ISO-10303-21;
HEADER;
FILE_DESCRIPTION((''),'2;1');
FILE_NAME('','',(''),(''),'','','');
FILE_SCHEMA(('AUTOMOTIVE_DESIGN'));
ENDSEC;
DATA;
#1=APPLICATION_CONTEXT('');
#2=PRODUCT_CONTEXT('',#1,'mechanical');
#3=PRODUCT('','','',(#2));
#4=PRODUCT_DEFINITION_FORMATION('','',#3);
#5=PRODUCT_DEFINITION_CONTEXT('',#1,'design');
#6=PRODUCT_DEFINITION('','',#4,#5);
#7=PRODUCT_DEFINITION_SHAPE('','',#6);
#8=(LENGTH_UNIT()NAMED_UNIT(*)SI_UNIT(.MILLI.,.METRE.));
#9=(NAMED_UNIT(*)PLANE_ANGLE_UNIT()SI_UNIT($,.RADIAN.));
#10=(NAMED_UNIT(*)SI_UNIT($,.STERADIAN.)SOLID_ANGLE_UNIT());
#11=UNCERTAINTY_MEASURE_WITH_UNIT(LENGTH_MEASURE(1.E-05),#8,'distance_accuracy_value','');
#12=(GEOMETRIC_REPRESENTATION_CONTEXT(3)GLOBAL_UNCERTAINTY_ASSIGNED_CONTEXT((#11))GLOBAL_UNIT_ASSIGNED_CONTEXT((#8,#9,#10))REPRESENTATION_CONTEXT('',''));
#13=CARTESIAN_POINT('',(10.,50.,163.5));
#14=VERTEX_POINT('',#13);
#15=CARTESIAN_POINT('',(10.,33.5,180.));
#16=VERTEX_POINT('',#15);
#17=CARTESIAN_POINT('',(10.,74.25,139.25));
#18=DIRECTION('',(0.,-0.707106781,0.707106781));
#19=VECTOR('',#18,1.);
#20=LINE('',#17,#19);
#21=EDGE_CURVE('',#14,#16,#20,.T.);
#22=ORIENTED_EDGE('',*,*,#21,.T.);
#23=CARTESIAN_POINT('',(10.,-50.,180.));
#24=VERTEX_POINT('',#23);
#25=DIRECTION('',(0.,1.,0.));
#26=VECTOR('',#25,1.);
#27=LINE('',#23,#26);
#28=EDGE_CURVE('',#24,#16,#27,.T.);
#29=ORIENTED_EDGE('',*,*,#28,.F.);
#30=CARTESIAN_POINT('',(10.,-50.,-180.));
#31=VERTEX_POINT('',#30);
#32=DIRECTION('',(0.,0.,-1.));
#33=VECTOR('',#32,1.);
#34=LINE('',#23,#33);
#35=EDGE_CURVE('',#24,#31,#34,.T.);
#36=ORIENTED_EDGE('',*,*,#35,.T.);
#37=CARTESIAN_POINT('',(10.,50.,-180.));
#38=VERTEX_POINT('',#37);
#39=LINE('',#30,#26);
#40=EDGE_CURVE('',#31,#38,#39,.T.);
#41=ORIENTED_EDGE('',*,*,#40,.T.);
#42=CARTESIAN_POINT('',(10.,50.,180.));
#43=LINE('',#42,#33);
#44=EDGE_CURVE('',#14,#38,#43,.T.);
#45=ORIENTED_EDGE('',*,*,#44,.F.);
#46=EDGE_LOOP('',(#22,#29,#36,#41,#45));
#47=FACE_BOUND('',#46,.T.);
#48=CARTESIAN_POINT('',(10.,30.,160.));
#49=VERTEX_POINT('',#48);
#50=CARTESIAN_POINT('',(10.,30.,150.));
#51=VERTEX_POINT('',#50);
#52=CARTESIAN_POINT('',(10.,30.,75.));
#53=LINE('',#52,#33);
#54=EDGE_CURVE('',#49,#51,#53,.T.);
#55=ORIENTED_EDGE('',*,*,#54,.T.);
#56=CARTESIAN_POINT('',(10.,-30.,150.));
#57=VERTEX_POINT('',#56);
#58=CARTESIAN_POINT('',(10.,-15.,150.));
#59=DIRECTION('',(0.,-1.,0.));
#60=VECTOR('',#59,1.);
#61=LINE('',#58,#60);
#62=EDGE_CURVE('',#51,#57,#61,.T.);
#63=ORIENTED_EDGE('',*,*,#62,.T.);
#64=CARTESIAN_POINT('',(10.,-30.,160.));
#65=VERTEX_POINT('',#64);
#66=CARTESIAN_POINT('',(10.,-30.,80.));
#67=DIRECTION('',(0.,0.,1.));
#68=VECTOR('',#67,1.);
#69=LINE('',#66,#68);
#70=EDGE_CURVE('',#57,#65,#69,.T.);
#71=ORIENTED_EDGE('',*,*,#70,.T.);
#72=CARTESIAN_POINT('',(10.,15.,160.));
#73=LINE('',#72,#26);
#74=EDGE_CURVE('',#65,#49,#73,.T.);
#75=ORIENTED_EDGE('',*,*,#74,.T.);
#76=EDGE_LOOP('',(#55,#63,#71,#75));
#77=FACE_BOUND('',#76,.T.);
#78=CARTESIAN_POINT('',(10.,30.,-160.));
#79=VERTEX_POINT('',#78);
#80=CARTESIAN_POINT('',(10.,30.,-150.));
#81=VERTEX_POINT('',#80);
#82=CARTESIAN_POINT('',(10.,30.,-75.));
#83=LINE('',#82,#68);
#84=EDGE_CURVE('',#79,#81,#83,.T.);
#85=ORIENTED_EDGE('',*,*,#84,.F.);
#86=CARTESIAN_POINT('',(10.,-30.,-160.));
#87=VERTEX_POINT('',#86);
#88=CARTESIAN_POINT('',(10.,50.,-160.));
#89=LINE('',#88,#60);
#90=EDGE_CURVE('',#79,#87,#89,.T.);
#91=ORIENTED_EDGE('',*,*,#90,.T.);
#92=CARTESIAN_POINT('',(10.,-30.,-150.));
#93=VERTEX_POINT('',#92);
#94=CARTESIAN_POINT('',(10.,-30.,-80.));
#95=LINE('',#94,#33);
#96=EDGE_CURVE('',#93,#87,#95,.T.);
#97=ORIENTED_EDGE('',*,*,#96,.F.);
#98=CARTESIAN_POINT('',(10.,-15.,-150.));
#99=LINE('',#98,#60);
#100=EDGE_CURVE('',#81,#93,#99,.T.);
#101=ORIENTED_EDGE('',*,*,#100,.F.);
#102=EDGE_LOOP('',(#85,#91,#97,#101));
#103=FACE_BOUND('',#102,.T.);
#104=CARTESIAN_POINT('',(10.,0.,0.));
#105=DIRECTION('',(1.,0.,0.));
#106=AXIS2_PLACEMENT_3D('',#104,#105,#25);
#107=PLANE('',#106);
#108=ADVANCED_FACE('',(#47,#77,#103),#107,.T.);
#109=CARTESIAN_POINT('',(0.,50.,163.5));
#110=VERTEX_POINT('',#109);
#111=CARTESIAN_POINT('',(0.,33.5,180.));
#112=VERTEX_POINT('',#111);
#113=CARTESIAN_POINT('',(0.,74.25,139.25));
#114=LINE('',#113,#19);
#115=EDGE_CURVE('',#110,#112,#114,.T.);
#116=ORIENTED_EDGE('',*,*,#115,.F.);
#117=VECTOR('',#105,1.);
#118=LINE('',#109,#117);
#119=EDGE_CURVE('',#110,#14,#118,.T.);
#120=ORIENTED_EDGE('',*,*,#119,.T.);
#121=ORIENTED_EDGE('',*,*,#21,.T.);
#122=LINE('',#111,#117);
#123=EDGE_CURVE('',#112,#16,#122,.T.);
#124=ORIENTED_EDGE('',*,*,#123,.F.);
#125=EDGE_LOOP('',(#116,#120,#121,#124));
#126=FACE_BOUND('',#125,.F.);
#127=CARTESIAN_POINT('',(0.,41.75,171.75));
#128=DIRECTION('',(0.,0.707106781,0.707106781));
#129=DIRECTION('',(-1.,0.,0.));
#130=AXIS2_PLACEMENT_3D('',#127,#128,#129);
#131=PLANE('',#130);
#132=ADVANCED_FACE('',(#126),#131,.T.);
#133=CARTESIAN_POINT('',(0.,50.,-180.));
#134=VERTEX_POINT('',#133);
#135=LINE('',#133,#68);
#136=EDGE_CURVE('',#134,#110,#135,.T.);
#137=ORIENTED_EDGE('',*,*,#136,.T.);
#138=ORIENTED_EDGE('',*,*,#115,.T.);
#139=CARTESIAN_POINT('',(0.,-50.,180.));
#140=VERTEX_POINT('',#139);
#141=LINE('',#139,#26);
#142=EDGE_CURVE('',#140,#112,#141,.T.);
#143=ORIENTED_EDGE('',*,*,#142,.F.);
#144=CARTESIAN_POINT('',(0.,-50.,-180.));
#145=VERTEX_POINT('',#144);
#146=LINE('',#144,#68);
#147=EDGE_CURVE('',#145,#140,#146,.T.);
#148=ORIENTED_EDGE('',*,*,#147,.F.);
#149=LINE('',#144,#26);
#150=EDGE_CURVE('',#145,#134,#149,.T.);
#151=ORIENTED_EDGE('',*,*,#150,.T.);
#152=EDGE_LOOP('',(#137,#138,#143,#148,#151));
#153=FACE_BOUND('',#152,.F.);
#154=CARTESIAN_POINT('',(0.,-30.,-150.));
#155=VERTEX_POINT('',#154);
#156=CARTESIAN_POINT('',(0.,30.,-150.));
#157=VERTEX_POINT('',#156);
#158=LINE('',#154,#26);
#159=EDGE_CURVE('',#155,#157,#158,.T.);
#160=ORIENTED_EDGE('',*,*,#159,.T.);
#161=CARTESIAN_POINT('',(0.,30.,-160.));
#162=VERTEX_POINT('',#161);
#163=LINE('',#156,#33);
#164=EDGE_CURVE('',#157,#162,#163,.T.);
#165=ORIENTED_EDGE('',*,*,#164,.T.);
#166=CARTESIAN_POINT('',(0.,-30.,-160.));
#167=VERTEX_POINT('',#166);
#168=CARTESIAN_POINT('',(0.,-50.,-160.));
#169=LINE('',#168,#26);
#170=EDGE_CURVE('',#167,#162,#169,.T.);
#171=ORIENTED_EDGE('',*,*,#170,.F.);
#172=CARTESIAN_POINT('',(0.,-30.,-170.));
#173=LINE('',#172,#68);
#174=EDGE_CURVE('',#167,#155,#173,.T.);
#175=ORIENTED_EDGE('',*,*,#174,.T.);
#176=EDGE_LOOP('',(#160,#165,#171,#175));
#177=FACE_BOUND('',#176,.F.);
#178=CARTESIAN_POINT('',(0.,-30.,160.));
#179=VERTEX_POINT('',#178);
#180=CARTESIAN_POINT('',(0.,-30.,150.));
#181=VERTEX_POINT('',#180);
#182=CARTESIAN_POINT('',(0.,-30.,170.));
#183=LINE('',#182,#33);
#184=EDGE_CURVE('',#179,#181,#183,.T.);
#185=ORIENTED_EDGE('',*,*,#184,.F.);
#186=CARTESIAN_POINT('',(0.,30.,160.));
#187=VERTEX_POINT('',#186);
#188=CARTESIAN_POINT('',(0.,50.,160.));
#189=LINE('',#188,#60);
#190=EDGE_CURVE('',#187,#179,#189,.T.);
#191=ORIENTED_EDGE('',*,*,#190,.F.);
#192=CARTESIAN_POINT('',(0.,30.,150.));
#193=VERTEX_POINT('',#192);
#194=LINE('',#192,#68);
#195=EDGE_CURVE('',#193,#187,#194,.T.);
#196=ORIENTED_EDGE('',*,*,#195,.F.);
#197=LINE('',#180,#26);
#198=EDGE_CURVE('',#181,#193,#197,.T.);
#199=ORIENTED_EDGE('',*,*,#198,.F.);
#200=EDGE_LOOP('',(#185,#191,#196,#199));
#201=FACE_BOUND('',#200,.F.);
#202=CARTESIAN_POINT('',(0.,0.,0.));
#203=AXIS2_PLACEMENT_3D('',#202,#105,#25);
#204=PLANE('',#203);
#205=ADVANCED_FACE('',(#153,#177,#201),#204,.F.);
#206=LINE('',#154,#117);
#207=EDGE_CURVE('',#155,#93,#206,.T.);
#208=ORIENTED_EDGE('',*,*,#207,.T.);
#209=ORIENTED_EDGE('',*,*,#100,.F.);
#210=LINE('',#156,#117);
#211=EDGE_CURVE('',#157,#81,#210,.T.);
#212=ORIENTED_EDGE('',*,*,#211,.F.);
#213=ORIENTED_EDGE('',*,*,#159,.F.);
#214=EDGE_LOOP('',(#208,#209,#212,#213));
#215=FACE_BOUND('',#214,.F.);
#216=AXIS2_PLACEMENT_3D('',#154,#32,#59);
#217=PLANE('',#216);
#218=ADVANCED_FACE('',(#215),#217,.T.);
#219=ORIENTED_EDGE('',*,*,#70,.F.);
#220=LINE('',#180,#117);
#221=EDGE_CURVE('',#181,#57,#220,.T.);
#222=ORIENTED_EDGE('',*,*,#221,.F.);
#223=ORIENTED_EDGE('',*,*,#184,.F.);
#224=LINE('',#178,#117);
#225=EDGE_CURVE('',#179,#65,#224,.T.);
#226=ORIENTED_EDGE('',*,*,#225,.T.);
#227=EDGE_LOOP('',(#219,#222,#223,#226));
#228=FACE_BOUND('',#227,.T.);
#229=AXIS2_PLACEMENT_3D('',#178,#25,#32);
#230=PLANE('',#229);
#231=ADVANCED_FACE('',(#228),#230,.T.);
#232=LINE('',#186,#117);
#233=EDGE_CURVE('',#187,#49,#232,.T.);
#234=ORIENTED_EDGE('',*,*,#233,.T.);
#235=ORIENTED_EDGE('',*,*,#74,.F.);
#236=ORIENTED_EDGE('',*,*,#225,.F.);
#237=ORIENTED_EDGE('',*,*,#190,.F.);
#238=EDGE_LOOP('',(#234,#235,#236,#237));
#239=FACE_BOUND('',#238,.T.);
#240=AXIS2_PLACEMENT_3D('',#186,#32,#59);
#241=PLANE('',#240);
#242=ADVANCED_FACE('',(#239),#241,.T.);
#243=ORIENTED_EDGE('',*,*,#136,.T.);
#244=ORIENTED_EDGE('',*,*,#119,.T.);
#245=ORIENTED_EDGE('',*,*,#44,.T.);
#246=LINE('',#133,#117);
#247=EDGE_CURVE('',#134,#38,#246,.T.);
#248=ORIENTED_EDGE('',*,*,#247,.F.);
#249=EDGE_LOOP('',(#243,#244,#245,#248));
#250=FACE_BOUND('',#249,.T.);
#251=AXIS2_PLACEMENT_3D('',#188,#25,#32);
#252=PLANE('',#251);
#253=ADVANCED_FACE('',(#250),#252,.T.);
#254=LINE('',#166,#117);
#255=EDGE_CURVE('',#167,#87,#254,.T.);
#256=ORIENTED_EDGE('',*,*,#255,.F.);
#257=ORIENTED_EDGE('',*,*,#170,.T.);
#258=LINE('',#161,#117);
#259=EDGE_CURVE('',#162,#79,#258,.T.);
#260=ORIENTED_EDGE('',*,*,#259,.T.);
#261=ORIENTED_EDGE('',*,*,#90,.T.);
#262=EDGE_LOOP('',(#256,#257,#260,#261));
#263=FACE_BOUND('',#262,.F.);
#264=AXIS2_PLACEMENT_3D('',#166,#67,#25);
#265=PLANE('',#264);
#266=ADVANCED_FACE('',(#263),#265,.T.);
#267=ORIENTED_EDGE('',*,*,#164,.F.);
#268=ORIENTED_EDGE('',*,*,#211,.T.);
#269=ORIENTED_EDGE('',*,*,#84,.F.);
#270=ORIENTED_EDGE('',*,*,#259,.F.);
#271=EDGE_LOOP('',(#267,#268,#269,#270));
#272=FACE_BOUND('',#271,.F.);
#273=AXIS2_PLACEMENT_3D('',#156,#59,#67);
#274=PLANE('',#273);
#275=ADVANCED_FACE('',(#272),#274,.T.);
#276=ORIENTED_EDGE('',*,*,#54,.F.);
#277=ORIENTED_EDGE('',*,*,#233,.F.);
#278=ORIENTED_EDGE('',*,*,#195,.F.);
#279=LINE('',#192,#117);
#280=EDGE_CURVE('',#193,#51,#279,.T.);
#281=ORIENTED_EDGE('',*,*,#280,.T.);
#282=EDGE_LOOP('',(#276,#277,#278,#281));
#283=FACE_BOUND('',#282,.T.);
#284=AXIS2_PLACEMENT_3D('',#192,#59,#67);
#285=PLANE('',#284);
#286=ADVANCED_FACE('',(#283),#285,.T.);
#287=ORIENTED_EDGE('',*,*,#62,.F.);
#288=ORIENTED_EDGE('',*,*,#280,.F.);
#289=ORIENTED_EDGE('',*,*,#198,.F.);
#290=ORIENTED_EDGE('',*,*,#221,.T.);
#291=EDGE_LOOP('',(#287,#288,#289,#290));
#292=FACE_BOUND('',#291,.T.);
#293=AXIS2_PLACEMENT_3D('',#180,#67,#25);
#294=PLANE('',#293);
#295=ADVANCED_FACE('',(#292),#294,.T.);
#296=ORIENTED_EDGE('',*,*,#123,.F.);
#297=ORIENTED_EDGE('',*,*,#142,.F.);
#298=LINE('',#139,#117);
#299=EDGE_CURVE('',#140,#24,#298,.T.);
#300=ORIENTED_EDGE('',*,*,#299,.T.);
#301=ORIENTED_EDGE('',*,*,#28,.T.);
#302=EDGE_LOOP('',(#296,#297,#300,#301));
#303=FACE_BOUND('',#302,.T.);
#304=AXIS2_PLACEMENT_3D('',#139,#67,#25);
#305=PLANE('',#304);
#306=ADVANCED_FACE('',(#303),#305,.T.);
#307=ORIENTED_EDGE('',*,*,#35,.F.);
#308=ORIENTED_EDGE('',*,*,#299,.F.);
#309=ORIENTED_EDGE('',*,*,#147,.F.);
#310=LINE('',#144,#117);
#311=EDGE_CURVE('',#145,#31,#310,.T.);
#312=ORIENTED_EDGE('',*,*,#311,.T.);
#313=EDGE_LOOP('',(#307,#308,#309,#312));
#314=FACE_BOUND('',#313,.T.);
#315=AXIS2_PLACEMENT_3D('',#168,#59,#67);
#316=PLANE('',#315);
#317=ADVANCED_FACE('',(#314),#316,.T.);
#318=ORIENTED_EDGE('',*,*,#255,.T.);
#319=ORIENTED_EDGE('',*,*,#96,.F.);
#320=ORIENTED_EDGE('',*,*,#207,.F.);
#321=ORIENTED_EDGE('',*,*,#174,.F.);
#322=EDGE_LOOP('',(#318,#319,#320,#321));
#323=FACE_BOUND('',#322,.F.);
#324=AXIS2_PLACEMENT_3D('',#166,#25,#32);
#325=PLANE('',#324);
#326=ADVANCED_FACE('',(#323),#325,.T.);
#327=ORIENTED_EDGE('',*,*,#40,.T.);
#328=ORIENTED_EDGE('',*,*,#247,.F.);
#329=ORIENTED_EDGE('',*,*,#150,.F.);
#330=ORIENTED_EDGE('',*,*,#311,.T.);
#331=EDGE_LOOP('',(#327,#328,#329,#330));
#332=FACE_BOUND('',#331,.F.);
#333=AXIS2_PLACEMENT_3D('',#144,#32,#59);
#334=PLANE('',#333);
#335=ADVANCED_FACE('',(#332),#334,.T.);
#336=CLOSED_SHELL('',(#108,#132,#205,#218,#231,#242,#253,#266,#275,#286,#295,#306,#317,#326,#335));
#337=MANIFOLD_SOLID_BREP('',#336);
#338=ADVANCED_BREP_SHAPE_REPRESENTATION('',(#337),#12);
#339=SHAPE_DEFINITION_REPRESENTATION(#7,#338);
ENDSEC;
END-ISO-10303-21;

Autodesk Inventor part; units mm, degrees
ref_plane "YZ Plane" through (0, 0, 0) normal (1, 0, 0) x (0, 1, 0)
ref_plane "XZ Plane" through (0, 0, 0) normal (0, 1, 0) x (-1, 0, 0)
ref_plane "XY Plane" through (0, 0, 0) normal (0, 0, 1) x (1, 0, 0)
sketch "Sketch1" plane through (0, 0, 0) normal (1, 0, 0) x (0, 1, 0)
  line L0 (-50, 160) -> (50, 160)
  line L1 (50, 160) -> (50, -160)
  line L2 (50, -160) -> (-50, -160)
  line L3 (-50, -160) -> (-50, 160)
  line L4 (-50, 160) -> (50, -160) construction
  line L5 (50, 160) -> (-50, -160) construction
  point P0 (0, 0)
  dimension "d0" = 320
  dimension "d1" = 100
extrude "Extrusion1" add sketch "Sketch1" along normal blind 10
sketch "Sketch2" plane through (0, 0, 0) normal (-1, 0, 0) x (0, 0, 1)
  line L0 (-160, -50) -> (-160, 50) projected
  line L1 (160, -50) -> (-160, -50) projected
  line L2 (160, 50) -> (160, -50) projected
  line L3 (-160, 50) -> (160, 50) projected
  line L4 (180, 50) -> (-180, 50)
  line L5 (-180, 50) -> (-180, -50)
  line L6 (-180, -50) -> (180, -50)
  line L7 (180, -50) -> (180, 50)
  line L8 (180, 50) -> (-180, -50) construction
  line L9 (-180, 50) -> (180, -50) construction
  line L10 (150, 30) -> (170, 30)
  line L11 (170, 30) -> (170, -30)
  line L12 (170, -30) -> (150, -30)
  line L13 (150, -30) -> (150, 30)
  line L14 (160, 50) -> (160, -50) projected
  line L15 (150, 30) -> (170, -30) construction
  line L16 (170, 30) -> (150, -30) construction
  point P0 (0, 0)
  point P1 (160, 0)
  point P2 (160, 30)
  point P3 (160, -30)
  dimension "d4" = 20
  dimension "d5" = 10
  dimension "d6" = 60
extrude "Extrusion2" add sketch "Sketch2" against normal blind 10 contours L2 L12 L11 L10 L4 L7 L6 | L2 L10 L11 L12
extrude "Extrusion3" cut sketch "Sketch2" against normal blind 36.25 contours L12 L13 L10 L2
mirror "Mirror1" about plane through (0, 0, 0) normal (0, 0, 1) of "Extrusion3", "Extrusion2"
chamfer "Chamfer1" distance 16.5 angle 45 1 edges at (5, 50, 180)
properties part number "02_Tam_hong" material "Stainless Steel, Austenitic"
